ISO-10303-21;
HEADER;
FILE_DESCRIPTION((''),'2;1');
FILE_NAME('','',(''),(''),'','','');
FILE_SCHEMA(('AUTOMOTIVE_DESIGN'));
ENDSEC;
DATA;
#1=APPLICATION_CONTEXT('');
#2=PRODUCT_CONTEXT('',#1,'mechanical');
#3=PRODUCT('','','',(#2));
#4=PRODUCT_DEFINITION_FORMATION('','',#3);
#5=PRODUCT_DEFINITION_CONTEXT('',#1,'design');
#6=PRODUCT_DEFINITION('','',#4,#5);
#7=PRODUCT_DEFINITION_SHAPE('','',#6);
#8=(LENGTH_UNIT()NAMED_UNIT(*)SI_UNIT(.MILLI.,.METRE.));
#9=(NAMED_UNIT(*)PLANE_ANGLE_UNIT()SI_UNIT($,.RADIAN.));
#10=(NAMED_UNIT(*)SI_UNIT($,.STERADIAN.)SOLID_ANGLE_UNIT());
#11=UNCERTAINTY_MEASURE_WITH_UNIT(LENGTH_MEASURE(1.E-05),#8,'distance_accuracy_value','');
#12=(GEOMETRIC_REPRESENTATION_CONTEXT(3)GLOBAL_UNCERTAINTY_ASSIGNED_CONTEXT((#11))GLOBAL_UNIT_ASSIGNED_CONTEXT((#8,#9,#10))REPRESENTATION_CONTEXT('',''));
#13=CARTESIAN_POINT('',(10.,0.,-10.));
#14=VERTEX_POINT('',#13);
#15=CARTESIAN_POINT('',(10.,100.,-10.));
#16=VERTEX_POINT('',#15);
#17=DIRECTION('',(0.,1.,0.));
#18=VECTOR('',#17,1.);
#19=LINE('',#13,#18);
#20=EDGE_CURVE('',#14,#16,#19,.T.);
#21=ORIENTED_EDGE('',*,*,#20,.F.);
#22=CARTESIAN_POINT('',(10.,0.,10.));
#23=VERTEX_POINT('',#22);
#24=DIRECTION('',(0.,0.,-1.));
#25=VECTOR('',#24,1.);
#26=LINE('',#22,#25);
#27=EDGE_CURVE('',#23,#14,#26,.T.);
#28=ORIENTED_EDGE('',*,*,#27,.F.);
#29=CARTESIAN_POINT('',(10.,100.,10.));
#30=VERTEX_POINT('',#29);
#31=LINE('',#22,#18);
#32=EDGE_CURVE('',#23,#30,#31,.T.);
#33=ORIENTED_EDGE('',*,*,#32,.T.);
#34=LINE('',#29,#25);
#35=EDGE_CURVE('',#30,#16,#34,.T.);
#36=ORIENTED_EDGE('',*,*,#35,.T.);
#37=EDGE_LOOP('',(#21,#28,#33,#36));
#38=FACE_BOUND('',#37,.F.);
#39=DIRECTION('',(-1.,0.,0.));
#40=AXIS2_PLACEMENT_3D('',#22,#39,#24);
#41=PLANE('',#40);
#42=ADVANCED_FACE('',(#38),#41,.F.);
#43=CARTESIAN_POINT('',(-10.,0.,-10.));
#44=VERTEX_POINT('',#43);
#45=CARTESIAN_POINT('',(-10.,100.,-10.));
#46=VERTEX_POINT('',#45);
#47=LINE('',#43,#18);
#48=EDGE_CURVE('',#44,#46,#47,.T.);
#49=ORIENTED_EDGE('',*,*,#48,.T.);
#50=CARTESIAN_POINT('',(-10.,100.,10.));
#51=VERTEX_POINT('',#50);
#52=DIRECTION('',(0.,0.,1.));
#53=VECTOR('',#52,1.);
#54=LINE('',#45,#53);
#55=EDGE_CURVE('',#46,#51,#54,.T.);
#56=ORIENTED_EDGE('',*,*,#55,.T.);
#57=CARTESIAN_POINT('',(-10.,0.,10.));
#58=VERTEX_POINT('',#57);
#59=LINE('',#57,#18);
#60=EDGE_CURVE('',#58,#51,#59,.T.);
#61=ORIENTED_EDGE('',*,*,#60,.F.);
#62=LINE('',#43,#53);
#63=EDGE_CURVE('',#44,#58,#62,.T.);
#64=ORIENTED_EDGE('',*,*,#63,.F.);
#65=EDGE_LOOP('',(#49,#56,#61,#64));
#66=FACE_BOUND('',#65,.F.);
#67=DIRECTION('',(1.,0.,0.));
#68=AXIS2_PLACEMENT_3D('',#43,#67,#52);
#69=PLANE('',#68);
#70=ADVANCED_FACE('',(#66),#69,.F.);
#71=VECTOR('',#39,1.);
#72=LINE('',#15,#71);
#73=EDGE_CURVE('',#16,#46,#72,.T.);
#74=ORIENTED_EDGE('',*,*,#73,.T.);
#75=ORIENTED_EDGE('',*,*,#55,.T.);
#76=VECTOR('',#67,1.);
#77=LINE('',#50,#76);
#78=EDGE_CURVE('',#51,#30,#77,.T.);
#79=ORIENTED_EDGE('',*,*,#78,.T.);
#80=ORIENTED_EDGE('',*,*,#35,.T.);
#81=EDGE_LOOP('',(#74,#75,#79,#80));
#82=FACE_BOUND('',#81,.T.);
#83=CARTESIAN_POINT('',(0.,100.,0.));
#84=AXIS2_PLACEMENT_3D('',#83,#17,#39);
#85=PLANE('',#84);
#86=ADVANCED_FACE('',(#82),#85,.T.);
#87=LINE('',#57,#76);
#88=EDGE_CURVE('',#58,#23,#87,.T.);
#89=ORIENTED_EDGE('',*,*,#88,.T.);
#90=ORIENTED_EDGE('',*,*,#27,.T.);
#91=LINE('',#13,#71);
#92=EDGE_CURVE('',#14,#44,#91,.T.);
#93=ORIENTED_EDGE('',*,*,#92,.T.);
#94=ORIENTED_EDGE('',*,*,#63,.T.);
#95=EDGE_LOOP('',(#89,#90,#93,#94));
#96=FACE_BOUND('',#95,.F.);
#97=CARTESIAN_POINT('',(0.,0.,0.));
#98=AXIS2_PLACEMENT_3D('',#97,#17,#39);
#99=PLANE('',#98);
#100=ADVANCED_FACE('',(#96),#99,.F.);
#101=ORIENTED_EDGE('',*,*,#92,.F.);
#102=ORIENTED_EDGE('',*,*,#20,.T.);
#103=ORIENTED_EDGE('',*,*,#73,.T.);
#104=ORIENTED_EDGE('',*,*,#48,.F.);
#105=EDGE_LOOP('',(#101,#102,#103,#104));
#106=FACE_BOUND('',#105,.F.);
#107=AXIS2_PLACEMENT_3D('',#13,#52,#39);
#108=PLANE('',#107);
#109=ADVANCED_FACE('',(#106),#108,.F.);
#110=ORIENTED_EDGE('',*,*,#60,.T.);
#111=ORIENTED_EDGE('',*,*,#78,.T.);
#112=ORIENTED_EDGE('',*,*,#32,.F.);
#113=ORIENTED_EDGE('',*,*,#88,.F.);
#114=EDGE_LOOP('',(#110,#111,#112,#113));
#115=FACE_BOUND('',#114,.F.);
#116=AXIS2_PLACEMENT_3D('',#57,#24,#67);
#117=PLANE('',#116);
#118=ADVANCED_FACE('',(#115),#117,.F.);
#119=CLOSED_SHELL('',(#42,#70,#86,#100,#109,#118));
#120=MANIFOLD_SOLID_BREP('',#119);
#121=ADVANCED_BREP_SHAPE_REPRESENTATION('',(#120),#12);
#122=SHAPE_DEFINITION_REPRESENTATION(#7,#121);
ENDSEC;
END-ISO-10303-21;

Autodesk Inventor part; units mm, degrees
sketch "Эскиз1" plane through (0, 0, 0) normal (0, 1, 0) x (-1, 0, 0)
  line L0 (10, 10) -> (-10, 10)
  line L1 (-10, 10) -> (-10, -10)
  line L2 (-10, -10) -> (10, -10)
  line L3 (10, -10) -> (10, 10)
  line L4 (10, 10) -> (-10, -10) construction
  line L5 (-10, 10) -> (10, -10) construction
  point P0 (0, 0)
  dimension "d0" = 20
extrude "Выдавливание1" add sketch "Эскиз1" along normal blind 100
properties part number "Край_стен_239"
